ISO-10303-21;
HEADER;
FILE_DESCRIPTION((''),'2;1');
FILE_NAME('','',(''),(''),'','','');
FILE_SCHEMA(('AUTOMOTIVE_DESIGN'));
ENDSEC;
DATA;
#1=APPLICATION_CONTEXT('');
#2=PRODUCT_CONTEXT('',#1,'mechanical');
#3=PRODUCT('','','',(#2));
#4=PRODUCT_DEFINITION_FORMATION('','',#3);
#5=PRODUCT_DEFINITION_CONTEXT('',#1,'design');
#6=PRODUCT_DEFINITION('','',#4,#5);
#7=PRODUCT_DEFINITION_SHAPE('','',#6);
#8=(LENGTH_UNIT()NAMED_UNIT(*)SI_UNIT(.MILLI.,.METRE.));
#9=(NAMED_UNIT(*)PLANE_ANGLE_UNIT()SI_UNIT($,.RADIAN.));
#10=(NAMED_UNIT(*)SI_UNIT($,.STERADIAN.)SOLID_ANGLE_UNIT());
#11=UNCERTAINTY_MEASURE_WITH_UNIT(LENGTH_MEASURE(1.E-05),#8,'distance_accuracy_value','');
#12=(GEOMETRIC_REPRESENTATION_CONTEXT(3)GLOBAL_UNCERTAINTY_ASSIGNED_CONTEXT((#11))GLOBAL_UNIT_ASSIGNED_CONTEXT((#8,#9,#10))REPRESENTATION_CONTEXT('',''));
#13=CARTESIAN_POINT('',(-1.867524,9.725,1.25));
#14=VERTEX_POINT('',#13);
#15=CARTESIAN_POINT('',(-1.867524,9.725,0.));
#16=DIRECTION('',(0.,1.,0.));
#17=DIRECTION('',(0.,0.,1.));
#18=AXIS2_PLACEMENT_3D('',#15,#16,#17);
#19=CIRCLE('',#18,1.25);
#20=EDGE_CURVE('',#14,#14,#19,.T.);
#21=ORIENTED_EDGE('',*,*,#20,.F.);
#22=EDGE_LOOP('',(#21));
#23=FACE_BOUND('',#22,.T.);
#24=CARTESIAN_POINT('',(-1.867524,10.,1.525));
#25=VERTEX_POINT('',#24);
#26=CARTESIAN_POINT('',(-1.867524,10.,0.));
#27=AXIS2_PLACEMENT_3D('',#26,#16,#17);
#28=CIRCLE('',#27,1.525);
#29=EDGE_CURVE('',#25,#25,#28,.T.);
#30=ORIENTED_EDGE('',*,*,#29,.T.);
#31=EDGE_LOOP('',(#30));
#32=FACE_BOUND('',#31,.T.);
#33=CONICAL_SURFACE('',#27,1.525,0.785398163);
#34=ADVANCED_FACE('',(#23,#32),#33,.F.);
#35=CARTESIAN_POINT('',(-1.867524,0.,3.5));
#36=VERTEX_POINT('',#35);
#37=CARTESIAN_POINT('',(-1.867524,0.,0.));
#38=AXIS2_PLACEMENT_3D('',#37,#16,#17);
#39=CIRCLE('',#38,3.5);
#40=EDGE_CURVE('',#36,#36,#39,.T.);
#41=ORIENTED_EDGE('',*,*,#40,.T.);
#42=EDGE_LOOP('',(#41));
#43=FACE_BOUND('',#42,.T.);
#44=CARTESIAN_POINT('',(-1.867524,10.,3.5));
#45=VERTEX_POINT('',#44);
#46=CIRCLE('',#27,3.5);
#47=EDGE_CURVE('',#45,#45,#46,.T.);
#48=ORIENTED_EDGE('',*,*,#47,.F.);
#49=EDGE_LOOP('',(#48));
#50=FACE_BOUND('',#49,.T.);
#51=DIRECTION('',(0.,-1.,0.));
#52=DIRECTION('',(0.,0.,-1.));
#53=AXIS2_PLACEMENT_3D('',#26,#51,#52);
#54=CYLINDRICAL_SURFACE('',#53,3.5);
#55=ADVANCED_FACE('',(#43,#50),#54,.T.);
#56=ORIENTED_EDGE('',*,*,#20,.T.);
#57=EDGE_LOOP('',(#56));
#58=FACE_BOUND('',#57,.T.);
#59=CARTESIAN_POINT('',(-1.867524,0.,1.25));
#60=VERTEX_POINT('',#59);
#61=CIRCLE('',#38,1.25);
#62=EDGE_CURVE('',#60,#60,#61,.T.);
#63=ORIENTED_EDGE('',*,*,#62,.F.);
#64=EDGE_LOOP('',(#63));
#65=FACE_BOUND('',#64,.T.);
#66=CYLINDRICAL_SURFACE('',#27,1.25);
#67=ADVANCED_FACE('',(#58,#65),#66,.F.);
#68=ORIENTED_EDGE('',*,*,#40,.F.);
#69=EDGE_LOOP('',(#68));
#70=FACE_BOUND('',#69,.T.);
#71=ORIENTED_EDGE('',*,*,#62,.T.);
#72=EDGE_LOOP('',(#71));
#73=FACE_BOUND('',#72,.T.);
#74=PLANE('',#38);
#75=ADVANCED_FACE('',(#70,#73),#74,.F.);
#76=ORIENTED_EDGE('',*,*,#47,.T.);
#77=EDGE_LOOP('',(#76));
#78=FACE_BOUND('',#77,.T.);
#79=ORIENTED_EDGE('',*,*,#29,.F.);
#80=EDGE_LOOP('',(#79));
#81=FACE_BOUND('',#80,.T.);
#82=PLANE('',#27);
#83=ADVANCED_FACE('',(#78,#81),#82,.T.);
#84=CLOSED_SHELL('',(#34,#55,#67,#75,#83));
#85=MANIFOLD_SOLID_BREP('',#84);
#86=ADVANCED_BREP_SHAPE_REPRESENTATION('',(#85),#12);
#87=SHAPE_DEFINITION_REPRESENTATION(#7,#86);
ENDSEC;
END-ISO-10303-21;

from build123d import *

# Parameters (mm, degrees)
SKIZZE1_R                       = 3.5
AUFSATZ_LINEAR_AUSTRAGEN1_DEPTH = 10
M3_GEWINDEBOHRUNG1_D            = 2.5
M3_GEWINDEBOHRUNG1_CSINK_D      = 3.05
M3_GEWINDEBOHRUNG1_CSINK_ANGLE  = 90


with BuildPart() as part:
    # Skizze1 → Aufsatz-Linear austragen1 (new body)
    with BuildSketch(Plane(origin=(0, 0, 0), x_dir=(1, 0, 0), z_dir=(0, 1, 0))):
        with Locations(Location((-1.867524313, 0, 0), (0, 0, 270))):
            Circle(SKIZZE1_R)
    extrude(amount=AUFSATZ_LINEAR_AUSTRAGEN1_DEPTH)

    # M3 Gewindebohrung1 (through all)
    with Locations(Plane(origin=(0, 10, 0), x_dir=(1, 0, 0), z_dir=(0, 1, 0))):
        with Locations((-1.867524313, 0)):
            CounterSinkHole(M3_GEWINDEBOHRUNG1_D / 2, M3_GEWINDEBOHRUNG1_CSINK_D / 2, counter_sink_angle=M3_GEWINDEBOHRUNG1_CSINK_ANGLE)


solid = part.part
